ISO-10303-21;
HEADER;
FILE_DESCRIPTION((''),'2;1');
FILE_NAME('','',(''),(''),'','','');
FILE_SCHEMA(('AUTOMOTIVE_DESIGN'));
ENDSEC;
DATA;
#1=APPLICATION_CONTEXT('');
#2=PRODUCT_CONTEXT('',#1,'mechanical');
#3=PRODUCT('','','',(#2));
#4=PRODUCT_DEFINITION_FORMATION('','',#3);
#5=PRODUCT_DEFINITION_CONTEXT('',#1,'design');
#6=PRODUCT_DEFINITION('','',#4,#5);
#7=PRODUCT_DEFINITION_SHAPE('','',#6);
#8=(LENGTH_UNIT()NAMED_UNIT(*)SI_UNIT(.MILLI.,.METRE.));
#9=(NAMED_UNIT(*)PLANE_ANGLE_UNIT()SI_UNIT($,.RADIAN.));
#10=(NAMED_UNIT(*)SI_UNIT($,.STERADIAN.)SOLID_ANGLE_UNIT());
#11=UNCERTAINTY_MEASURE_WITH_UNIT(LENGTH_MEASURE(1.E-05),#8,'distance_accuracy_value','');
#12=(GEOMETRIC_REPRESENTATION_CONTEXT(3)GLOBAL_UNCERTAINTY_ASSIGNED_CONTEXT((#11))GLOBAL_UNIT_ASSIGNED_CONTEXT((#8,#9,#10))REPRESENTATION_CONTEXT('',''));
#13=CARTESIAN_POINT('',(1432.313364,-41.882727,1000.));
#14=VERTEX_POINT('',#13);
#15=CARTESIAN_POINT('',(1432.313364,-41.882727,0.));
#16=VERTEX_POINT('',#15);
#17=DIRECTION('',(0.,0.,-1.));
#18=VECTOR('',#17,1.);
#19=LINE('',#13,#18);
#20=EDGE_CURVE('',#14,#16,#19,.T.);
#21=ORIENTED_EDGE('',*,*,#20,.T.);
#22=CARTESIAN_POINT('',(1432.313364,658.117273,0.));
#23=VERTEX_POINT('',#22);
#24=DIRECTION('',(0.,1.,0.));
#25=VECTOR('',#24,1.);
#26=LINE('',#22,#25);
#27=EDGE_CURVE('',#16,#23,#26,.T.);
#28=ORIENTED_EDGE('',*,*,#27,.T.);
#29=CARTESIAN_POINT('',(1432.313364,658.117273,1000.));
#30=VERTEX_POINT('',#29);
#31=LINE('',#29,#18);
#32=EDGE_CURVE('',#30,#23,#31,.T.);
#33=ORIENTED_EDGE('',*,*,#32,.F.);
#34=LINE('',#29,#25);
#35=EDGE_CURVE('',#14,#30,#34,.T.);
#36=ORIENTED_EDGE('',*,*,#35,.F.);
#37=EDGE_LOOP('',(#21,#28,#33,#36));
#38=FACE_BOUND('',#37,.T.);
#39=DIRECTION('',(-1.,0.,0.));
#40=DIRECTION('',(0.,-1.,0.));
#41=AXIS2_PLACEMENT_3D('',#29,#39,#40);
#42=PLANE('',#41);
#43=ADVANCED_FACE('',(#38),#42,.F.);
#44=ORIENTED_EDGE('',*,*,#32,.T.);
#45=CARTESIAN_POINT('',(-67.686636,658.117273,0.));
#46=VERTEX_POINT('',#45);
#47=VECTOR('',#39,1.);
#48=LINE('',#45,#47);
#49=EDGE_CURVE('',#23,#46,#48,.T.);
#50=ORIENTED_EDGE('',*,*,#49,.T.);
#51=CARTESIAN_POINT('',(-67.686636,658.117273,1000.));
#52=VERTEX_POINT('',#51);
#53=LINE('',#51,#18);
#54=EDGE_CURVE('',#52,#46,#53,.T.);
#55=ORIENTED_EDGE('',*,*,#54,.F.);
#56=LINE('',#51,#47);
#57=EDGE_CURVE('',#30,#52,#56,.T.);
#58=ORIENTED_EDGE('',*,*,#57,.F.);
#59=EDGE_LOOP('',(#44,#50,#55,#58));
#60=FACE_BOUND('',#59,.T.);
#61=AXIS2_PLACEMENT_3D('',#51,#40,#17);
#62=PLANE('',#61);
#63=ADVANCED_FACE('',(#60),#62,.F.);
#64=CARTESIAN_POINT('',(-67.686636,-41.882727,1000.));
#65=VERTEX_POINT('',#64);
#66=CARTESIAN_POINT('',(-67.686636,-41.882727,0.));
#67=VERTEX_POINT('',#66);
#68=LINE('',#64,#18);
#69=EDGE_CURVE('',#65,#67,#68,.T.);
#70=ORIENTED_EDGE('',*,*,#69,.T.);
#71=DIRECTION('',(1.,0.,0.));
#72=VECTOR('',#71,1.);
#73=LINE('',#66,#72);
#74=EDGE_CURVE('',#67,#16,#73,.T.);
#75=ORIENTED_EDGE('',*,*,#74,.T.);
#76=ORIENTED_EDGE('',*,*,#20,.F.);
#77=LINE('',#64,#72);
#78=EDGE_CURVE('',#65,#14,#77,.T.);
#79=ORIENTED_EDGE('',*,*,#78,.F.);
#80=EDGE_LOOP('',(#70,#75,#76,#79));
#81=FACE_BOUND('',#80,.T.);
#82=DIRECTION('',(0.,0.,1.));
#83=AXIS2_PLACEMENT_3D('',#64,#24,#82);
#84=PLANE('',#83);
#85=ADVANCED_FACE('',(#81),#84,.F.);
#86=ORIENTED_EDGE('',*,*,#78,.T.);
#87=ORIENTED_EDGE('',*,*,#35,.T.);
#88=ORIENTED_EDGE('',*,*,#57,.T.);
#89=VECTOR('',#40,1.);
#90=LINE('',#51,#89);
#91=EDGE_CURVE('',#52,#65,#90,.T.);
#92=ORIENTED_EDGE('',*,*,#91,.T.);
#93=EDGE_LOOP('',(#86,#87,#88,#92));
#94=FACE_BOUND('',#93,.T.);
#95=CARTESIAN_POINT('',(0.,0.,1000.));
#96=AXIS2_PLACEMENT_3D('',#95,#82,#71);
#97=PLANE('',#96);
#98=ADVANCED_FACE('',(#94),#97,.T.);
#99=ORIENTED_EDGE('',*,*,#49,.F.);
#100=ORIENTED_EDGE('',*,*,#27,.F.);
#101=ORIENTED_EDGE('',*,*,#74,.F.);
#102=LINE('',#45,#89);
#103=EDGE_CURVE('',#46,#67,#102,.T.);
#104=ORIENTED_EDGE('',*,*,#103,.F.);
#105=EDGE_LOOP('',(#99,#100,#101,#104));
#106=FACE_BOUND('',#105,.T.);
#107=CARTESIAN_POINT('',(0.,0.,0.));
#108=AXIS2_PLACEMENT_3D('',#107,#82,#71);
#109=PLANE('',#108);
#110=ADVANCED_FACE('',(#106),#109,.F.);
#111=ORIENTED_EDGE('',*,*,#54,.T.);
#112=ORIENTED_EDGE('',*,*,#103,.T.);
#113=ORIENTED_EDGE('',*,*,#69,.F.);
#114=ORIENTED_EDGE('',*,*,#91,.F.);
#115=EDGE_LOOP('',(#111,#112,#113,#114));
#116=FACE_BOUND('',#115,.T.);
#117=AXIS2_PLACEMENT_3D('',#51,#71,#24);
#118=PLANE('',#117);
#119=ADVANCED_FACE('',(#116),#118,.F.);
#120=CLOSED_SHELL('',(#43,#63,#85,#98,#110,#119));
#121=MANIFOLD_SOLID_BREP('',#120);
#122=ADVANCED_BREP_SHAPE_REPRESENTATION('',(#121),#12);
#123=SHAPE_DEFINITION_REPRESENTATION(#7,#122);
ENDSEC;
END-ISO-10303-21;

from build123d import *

# Parameters (mm, degrees)
SKETCH_1_W      = 1500
SKETCH_1_H      = 700
EXTRUDE_1_DEPTH = 1000


with BuildPart() as part:
    # Эскиз1 → Бобышка-Вытянуть1 (new body)
    with BuildSketch(Plane.XY):
        with Locations((682.313364055, 308.117273161)):
            Rectangle(SKETCH_1_W, SKETCH_1_H)
    extrude(amount=EXTRUDE_1_DEPTH)


solid = part.part
